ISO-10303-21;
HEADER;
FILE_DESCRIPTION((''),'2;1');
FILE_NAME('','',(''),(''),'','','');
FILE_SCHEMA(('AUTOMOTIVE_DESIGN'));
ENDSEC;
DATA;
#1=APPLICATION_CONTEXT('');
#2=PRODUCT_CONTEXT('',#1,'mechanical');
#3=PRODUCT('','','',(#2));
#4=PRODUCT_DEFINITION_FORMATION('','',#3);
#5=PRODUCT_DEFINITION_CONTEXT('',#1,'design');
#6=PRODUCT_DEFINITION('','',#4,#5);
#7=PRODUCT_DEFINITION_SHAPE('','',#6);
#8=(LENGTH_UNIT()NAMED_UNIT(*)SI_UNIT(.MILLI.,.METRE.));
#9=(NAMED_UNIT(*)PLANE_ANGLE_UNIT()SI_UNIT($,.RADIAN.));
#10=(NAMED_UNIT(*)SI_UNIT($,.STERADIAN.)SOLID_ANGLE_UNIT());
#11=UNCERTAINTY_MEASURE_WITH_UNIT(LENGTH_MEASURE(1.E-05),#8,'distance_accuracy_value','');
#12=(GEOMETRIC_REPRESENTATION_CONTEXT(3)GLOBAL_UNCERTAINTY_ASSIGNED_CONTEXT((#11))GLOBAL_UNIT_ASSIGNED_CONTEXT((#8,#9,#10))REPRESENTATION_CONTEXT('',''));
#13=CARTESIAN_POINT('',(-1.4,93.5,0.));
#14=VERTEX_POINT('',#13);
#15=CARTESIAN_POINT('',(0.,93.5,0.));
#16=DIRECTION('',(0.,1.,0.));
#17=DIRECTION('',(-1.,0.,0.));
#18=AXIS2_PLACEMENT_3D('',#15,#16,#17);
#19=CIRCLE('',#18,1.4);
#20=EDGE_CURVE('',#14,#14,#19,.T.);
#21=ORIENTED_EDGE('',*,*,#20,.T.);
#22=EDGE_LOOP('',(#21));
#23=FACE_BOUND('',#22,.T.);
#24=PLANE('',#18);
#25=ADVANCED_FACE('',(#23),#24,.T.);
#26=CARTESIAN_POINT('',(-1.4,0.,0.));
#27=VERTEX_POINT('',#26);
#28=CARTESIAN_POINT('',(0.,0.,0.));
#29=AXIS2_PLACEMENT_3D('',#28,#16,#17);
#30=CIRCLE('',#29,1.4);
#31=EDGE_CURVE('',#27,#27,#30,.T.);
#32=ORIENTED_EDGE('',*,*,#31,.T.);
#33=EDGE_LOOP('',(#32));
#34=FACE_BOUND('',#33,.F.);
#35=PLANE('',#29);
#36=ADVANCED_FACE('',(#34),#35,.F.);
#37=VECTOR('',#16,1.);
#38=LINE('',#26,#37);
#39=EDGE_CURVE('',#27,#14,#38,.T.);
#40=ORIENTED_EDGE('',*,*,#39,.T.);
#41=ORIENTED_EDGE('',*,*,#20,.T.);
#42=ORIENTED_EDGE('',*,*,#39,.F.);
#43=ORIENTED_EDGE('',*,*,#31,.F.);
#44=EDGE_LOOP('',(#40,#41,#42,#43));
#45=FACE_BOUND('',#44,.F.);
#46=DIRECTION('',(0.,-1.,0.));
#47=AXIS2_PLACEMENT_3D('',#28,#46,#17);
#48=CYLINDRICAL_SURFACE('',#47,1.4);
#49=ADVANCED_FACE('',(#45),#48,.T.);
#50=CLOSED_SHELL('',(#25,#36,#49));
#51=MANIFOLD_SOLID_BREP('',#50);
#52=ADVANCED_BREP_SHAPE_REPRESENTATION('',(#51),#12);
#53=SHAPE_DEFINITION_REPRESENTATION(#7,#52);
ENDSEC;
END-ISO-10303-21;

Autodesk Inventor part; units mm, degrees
ref_plane "YZ Plane" through (0, 0, 0) normal (1, 0, 0) x (0, 1, 0)
ref_plane "XZ Plane" through (0, 0, 0) normal (0, 1, 0) x (-1, 0, 0)
ref_plane "XY Plane" through (0, 0, 0) normal (0, 0, 1) x (1, 0, 0)
sketch "Sketch1" plane through (0, 0, 0) normal (0, 1, 0) x (-1, 0, 0)
  circle A0 centre (0, 0) radius 1.4
  dimension "d0" = 2.8
extrude "Extrusion1" add sketch "Sketch1" along normal blind 93.5
properties part number "00_Blurayplayer_rod"
